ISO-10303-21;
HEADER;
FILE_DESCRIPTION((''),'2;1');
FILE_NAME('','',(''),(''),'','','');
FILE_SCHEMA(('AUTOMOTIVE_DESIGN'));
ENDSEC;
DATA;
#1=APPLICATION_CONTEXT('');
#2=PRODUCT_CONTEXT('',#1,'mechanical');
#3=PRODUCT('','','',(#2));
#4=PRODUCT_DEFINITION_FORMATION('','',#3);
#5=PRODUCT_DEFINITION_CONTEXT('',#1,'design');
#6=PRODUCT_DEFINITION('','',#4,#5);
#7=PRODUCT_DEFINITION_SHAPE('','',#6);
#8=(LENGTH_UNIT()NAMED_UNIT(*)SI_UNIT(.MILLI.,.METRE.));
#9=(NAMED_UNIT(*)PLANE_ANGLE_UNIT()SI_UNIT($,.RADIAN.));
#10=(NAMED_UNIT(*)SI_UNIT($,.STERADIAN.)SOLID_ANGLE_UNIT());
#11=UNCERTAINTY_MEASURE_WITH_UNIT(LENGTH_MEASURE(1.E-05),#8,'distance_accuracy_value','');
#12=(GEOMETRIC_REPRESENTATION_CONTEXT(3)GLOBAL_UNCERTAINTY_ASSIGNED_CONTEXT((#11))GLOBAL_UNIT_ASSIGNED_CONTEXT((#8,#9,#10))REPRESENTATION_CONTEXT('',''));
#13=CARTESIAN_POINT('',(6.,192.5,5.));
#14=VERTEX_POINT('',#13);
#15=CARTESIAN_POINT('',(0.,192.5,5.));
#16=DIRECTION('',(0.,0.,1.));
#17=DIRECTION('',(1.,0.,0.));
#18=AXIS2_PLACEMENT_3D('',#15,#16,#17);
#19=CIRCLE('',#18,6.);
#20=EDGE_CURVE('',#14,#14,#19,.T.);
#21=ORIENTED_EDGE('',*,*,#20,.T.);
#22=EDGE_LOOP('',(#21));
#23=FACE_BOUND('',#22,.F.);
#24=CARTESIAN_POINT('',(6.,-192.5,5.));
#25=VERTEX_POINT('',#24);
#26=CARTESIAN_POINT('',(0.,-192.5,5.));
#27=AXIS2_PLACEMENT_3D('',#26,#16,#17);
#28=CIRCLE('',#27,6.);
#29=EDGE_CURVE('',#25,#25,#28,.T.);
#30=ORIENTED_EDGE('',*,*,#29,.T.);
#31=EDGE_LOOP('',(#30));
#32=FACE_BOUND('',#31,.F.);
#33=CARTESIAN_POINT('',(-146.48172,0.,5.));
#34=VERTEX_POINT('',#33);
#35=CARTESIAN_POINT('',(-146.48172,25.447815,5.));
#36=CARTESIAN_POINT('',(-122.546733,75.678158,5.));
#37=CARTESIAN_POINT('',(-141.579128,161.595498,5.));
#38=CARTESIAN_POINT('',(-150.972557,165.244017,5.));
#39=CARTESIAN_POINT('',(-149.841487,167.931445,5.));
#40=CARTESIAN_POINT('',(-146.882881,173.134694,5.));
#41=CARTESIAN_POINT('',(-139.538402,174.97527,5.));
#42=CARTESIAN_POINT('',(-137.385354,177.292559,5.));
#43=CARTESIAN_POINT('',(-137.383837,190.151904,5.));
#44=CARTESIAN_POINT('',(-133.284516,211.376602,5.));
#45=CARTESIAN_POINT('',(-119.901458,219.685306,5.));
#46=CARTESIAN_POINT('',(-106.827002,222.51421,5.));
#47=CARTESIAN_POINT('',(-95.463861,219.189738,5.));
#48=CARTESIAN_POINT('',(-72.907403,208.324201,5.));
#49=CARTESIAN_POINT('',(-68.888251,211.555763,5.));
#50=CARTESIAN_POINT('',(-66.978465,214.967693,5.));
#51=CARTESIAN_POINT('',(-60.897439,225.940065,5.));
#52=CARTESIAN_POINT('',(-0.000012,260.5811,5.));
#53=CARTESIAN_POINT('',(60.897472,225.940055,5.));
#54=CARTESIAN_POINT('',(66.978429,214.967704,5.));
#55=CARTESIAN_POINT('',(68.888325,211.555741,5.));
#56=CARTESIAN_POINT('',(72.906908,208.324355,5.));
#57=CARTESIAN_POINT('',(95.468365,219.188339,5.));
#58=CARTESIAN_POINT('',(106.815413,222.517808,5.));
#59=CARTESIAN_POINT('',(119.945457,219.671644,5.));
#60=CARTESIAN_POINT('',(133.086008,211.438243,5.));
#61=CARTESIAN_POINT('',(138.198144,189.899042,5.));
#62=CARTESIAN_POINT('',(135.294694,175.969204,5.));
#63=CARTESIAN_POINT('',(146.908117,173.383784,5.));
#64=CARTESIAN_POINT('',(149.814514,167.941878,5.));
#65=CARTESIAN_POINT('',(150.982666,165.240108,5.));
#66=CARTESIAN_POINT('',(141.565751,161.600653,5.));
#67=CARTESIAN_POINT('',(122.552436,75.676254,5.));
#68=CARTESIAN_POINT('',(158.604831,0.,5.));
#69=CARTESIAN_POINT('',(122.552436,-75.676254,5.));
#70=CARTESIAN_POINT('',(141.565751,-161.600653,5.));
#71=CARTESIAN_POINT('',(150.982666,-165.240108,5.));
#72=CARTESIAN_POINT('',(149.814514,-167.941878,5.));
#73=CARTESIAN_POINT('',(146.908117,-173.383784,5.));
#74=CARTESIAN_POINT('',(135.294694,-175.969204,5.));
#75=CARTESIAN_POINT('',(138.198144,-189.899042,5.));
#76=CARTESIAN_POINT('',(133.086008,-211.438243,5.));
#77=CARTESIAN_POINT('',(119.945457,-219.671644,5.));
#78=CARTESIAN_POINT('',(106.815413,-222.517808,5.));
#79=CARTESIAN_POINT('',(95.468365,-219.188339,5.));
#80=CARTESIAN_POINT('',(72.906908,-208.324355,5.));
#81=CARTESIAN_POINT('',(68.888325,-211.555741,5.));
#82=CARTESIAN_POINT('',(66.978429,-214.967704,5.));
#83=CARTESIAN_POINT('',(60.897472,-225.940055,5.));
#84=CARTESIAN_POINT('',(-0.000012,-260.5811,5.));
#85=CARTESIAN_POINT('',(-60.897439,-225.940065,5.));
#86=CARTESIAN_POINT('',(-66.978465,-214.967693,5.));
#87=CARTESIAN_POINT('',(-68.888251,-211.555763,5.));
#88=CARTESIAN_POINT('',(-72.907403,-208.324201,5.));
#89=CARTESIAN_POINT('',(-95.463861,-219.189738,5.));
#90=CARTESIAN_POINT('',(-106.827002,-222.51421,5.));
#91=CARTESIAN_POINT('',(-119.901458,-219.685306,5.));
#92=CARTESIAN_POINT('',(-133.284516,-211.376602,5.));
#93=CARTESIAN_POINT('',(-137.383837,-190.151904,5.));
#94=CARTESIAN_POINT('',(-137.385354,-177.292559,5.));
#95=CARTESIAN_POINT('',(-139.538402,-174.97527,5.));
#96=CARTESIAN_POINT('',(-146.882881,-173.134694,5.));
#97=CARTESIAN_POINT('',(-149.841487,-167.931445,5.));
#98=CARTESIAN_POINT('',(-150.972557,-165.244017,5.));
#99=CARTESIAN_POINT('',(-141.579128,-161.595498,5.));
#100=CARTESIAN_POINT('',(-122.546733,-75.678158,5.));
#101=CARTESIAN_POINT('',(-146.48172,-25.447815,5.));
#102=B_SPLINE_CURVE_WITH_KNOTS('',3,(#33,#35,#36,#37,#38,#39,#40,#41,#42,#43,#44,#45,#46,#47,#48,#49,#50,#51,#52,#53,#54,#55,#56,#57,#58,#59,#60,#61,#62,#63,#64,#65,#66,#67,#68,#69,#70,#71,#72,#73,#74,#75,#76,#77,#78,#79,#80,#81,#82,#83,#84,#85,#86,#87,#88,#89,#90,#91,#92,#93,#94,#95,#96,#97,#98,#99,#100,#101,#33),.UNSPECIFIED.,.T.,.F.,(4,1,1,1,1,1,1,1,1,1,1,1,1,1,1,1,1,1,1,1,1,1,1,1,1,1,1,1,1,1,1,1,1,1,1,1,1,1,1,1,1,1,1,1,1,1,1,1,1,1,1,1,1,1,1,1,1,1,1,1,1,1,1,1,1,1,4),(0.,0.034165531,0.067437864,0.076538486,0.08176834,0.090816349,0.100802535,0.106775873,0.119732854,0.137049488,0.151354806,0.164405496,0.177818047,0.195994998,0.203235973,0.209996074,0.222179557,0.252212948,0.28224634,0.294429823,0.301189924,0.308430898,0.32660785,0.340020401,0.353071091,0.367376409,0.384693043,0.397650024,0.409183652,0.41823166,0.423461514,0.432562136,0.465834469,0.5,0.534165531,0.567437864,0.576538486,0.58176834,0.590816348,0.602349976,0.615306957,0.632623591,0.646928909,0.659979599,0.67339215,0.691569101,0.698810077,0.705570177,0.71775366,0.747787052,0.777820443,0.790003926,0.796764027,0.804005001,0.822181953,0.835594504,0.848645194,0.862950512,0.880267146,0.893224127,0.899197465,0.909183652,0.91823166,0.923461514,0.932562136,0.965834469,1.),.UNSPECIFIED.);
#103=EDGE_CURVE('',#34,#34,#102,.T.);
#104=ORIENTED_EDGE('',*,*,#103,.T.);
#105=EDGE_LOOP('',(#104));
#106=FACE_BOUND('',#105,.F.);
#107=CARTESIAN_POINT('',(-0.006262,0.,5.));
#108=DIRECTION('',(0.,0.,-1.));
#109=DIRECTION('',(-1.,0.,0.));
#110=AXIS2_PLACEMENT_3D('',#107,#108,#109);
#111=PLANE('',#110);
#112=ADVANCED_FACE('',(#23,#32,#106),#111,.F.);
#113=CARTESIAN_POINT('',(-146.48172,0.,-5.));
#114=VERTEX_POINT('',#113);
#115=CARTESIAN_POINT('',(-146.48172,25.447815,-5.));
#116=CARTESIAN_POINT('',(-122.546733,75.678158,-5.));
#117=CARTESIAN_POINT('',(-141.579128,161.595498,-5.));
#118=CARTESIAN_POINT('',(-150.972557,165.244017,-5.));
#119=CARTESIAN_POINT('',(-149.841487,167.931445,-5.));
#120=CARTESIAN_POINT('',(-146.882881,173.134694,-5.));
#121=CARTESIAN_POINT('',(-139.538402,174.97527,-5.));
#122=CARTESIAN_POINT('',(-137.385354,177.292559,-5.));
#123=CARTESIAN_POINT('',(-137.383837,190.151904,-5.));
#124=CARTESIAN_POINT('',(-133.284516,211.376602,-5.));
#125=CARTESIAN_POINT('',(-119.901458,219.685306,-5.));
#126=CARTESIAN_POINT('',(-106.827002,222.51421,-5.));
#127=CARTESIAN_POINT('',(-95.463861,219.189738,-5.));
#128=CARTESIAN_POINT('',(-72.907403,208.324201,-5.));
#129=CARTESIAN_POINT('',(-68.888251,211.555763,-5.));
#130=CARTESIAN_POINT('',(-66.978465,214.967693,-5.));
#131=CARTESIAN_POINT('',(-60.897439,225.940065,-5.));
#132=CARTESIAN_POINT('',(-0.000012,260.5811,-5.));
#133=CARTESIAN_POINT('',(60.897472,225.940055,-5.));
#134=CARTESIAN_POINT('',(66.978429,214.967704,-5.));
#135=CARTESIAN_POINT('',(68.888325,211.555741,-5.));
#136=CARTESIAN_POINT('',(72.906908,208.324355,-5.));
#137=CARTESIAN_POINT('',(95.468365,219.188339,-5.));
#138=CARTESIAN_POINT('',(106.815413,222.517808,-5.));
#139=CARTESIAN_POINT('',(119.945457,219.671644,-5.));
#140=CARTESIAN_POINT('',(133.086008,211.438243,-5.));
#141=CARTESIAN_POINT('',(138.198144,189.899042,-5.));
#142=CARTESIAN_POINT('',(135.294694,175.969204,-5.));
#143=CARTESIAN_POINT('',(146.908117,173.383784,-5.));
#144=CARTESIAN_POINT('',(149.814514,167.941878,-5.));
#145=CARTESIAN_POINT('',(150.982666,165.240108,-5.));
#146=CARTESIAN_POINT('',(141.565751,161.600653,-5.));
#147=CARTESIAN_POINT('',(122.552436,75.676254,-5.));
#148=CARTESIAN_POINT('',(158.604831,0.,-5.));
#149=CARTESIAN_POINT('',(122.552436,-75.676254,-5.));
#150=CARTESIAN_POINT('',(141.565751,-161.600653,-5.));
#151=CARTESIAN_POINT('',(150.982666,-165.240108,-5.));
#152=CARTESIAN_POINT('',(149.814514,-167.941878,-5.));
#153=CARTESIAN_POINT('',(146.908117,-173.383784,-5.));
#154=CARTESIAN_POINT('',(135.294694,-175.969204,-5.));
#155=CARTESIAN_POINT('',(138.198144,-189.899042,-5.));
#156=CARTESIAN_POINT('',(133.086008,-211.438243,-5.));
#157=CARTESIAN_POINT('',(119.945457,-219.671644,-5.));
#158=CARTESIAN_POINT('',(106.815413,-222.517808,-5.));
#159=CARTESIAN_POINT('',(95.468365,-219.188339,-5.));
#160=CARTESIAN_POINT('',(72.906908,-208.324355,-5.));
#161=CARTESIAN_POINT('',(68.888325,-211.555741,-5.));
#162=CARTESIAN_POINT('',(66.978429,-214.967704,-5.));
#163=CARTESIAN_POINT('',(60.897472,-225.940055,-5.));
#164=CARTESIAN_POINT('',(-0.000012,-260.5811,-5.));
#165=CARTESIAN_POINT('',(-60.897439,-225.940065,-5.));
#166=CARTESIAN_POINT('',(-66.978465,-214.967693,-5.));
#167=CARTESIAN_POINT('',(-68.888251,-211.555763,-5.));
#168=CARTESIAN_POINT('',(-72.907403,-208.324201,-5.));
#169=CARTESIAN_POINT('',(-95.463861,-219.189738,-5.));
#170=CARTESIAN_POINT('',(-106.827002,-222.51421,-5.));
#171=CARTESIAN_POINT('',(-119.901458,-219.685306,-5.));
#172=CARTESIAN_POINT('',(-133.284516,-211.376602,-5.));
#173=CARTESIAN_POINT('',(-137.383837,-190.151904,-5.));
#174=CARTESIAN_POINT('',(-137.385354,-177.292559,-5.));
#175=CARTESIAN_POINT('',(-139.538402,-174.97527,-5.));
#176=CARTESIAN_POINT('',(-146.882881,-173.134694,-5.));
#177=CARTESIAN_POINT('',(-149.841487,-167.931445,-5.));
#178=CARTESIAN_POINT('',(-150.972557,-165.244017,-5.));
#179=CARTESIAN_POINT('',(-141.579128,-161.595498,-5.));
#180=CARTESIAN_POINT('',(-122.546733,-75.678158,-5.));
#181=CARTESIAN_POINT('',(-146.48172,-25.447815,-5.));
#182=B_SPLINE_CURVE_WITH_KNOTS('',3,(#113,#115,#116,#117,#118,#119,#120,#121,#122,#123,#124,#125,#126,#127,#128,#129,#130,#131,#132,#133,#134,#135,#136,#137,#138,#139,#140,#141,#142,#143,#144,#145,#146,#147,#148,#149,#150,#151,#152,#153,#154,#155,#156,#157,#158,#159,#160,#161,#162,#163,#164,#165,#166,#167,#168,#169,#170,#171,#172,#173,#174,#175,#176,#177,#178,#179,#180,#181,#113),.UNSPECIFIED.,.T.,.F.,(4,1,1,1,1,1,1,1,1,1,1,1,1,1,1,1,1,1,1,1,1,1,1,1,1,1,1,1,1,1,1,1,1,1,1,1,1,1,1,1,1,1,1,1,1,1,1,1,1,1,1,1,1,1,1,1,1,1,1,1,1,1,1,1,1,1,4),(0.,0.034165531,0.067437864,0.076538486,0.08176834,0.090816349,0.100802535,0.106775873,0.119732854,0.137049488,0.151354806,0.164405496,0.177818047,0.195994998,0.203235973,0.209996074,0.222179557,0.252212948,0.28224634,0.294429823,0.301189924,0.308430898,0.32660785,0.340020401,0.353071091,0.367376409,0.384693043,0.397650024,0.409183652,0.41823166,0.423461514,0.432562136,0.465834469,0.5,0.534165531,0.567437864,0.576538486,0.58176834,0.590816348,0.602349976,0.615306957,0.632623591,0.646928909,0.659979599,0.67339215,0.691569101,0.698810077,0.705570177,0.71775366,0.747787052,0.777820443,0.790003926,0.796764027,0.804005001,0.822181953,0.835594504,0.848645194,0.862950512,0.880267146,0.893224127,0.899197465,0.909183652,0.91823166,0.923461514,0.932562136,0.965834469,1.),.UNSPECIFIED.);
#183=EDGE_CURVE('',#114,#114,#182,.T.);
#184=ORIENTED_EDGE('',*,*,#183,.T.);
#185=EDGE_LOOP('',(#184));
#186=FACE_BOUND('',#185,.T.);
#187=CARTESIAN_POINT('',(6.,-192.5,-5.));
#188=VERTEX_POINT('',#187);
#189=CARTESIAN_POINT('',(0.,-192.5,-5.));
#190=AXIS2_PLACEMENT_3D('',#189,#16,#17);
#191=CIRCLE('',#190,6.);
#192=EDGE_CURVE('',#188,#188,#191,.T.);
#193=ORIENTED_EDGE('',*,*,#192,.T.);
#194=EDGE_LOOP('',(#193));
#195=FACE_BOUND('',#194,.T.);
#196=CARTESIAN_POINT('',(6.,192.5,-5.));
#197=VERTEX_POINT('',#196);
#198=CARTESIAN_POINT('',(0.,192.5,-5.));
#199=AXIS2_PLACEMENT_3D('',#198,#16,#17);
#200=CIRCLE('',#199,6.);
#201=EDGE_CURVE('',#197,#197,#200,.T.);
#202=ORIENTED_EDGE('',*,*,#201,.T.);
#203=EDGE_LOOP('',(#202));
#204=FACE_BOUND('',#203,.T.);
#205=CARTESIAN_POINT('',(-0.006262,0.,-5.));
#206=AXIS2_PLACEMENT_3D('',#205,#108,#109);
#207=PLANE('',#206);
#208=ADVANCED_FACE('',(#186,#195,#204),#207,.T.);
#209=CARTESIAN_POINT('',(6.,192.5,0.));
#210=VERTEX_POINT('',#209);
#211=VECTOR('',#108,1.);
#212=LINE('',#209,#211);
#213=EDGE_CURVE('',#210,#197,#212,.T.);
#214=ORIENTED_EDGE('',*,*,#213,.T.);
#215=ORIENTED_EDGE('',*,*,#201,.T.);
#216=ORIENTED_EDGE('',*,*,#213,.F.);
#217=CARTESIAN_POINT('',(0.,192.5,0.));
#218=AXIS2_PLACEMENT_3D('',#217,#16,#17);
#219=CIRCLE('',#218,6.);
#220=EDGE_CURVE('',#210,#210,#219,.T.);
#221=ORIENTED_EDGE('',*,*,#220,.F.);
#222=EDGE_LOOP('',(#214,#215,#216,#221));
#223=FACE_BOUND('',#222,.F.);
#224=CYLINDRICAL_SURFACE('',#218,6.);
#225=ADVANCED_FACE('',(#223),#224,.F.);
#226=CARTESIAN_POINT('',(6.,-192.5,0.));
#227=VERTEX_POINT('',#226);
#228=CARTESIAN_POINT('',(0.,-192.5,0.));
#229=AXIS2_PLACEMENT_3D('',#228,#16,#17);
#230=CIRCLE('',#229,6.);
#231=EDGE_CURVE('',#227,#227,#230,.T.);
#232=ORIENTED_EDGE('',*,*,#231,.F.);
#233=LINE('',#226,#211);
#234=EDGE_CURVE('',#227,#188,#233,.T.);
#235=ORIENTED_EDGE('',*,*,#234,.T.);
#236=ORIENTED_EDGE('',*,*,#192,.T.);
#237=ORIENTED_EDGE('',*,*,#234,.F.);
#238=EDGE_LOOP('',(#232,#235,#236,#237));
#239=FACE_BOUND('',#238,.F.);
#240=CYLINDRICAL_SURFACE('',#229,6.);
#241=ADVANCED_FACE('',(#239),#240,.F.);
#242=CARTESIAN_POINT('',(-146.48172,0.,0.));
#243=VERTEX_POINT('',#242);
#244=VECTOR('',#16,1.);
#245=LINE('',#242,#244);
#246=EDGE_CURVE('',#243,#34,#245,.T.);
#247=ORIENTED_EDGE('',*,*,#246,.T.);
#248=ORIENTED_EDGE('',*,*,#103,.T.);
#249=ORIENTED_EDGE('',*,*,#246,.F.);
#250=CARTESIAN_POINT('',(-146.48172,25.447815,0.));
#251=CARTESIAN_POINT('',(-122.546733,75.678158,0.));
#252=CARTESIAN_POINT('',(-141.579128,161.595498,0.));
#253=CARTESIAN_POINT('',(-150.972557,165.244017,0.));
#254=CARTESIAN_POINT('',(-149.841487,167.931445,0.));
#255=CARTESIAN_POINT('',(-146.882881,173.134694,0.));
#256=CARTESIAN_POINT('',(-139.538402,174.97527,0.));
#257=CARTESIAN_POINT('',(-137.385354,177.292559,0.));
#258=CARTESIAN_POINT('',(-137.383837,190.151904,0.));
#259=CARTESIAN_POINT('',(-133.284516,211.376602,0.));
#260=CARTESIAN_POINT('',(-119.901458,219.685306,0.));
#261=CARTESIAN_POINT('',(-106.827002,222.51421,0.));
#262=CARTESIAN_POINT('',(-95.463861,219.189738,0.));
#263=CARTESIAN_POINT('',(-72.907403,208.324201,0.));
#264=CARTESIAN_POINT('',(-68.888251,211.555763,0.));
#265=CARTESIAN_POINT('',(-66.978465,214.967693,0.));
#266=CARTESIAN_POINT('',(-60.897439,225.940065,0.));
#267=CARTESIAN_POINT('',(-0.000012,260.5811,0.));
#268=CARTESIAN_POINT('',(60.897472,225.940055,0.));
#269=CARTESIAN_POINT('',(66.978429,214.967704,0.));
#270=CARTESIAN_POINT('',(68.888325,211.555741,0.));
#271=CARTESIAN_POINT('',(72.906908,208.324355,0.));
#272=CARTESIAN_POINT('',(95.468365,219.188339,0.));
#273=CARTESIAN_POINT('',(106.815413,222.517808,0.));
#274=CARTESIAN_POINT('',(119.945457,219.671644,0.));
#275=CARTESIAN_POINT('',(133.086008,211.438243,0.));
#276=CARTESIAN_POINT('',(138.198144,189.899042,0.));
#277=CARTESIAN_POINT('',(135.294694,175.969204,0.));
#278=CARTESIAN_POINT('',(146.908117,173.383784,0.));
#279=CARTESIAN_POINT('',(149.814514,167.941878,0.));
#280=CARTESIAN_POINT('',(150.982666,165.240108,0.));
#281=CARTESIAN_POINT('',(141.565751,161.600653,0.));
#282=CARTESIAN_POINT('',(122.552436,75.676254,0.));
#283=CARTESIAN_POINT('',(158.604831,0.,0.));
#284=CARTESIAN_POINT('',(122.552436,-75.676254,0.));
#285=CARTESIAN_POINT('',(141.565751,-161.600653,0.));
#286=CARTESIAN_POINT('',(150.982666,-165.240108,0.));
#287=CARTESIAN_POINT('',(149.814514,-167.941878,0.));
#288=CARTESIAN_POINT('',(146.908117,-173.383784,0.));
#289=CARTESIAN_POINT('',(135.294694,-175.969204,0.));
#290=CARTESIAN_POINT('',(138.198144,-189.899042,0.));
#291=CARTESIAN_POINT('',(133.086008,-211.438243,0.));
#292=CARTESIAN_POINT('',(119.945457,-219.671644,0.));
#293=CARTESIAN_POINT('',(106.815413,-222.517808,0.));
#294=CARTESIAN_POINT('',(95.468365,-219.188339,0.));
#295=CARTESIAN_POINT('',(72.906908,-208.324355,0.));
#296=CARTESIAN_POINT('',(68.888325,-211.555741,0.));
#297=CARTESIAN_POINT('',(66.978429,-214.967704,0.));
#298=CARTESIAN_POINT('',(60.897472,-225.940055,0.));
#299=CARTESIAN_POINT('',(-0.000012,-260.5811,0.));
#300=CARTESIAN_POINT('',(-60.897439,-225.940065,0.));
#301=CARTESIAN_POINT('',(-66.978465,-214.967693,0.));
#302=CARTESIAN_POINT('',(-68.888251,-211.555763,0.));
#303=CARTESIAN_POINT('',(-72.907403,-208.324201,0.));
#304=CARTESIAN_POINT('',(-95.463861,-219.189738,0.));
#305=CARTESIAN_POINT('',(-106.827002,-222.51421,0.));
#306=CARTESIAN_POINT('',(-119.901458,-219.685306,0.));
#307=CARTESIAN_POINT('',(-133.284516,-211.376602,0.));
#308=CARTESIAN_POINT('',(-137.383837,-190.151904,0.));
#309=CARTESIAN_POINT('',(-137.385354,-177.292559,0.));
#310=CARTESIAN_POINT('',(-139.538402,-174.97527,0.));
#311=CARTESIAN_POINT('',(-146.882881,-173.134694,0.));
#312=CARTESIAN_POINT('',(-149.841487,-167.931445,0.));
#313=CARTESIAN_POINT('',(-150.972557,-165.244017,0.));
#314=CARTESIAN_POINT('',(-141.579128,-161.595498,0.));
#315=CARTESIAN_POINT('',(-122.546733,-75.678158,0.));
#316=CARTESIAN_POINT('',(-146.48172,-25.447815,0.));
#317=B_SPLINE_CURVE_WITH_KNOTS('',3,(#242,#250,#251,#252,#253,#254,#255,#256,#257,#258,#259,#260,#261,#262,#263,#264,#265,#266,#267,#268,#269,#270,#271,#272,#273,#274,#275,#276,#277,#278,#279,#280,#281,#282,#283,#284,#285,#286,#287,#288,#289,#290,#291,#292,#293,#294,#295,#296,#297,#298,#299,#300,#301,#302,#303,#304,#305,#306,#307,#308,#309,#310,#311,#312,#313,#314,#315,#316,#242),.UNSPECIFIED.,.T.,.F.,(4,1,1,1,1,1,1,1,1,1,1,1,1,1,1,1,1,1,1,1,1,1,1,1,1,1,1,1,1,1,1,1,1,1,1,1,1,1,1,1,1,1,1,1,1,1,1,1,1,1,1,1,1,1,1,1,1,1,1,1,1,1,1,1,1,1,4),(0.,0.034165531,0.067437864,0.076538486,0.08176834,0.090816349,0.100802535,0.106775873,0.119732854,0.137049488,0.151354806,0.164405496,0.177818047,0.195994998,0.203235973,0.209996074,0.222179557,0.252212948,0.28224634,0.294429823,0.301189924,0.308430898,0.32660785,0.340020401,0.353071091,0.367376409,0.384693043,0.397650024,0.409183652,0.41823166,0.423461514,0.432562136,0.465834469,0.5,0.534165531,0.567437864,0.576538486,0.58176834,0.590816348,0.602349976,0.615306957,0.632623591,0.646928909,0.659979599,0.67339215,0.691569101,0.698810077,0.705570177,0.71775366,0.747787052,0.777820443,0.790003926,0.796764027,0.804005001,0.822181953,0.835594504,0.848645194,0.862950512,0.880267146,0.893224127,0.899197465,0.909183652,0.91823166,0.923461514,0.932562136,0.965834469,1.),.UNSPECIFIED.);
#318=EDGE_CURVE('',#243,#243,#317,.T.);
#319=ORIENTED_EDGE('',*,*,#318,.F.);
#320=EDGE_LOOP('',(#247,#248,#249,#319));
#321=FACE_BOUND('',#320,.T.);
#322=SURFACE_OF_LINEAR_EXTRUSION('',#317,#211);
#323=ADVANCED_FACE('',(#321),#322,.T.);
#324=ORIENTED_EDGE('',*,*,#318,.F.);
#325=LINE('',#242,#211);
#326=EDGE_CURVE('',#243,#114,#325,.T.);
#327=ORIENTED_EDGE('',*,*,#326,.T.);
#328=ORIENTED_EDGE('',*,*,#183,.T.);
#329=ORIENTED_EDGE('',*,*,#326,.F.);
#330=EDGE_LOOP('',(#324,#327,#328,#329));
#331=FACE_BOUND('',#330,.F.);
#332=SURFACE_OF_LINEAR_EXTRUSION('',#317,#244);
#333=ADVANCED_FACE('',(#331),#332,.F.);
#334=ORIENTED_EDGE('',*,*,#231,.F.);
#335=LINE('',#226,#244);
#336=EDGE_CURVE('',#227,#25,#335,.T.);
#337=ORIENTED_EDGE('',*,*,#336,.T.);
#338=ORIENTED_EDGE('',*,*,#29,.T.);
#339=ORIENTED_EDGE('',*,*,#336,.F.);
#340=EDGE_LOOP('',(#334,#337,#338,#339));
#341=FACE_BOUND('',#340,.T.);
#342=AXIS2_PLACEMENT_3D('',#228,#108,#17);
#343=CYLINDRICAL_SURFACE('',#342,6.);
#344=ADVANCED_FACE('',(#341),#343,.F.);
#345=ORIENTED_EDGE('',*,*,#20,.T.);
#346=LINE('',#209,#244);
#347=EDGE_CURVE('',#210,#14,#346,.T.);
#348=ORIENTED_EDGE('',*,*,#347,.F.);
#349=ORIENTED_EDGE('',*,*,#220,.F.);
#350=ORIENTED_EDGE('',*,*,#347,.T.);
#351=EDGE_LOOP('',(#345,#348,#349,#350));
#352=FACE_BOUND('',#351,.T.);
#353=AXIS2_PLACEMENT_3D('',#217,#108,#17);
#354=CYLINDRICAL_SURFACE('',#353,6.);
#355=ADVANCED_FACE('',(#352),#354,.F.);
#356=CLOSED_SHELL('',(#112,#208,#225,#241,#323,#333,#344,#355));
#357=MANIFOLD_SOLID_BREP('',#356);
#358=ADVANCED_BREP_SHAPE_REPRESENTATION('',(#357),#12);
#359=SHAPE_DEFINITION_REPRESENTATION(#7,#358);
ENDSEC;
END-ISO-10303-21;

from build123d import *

# Parameters (mm, degrees)
F0_R     = 6
F1_DEPTH = 5


with BuildPart() as f1:
    # F0 (on Top) → F1 (new body, symmetric)
    with BuildSketch(Plane.XY):
        with BuildLine():
            add(Edge.make_bspline(
                [(-146.48172, 0), (-146.48172, 25.4478153819), (-122.5467325745, 75.678158022), (-141.5791277863, 161.5954978407), (-150.9725570258, 165.244016864), (-149.8414871478, 167.931445087), (-146.8828805914, 173.134693532), (-139.5384022991, 174.9752703775), (-137.3853538588, 177.2925586054), (-137.3838373596, 190.1519040409), (-133.2845158848, 211.3766015223), (-119.9014584444, 219.6853062402), (-106.8270023644, 222.5142095845), (-95.4638608233, 219.1897380057), (-72.9074034574, 208.324201111), (-68.88825128, 211.5557632932), (-66.978464727, 214.9676927601), (-60.8974388018, 225.9400648682), (-1.16807e-05, 260.581099675), (60.89747164, 225.9400554088), (66.9784285598, 214.9677039291), (68.8883246138, 211.5557405344), (72.9069082139, 208.324354886), (95.4683645376, 219.1883394976), (106.8154131797, 222.5178083021), (119.9454566233, 219.6716437565), (133.0860078368, 211.438243005), (138.1981443915, 189.8990422884), (135.2946940658, 175.9692044489), (146.9081170888, 173.3837837124), (149.8145140132, 167.9418781187), (150.9826656424, 165.240108017), (141.5657505805, 161.6006525105), (122.5524359182, 75.6762541385), (158.6048306843, 0), (122.5524359182, -75.6762541385), (141.5657505805, -161.6006525105), (150.9826656424, -165.240108017), (149.8145140132, -167.9418781187), (146.9081170888, -173.3837837124), (135.2946940658, -175.9692044489), (138.1981443915, -189.8990422884), (133.0860078368, -211.438243005), (119.9454566233, -219.6716437565), (106.8154131797, -222.5178083021), (95.4683645376, -219.1883394976), (72.9069082139, -208.324354886), (68.8883246138, -211.5557405344), (66.9784285598, -214.9677039291), (60.89747164, -225.9400554088), (-1.16807e-05, -260.581099675), (-60.8974388018, -225.9400648682), (-66.978464727, -214.9676927601), (-68.88825128, -211.5557632932), (-72.9074034574, -208.324201111), (-95.4638608233, -219.1897380057), (-106.8270023644, -222.5142095845), (-119.9014584444, -219.6853062402), (-133.2845158848, -211.3766015223), (-137.3838373596, -190.1519040409), (-137.3853538588, -177.2925586054), (-139.5384022991, -174.9752703775), (-146.8828805914, -173.134693532), (-149.8414871478, -167.931445087), (-150.9725570258, -165.244016864), (-141.5791277863, -161.5954978407), (-122.5467325745, -75.678158022), (-146.48172, -25.4478153819), (-146.48172, 0)],
                knots=[0, 0, 0, 0, 0.0341655307, 0.0674378641, 0.0765384861, 0.0817683397, 0.0908163485, 0.1008025352, 0.1067758727, 0.1197328544, 0.1370494884, 0.1513548064, 0.1644054957, 0.1778180472, 0.1959949985, 0.2032359734, 0.2099960741, 0.2221795566, 0.2522129485, 0.2822463404, 0.2944298229, 0.3011899235, 0.3084308985, 0.3266078498, 0.3400204013, 0.3530710906, 0.3673764086, 0.3846930426, 0.3976500243, 0.4091836515, 0.4182316603, 0.4234615139, 0.4325621359, 0.4658344693, 0.5, 0.5341655307, 0.5674378641, 0.5765384861, 0.5817683397, 0.5908163485, 0.6023499757, 0.6153069574, 0.6326235914, 0.6469289094, 0.6599795987, 0.6733921502, 0.6915691015, 0.6988100765, 0.7055701771, 0.7177536596, 0.7477870515, 0.7778204434, 0.7900039259, 0.7967640266, 0.8040050015, 0.8221819528, 0.8355945043, 0.8486451936, 0.8629505116, 0.8802671456, 0.8932241273, 0.8991974648, 0.9091836515, 0.9182316603, 0.9234615139, 0.9325621359, 0.9658344693, 1, 1, 1, 1], degree=3))
        make_face()
        with Locations((0, -192.5)):
            Circle(F0_R, mode=Mode.SUBTRACT)
        with Locations((0, 192.5)):
            Circle(F0_R, mode=Mode.SUBTRACT)
    extrude(amount=F1_DEPTH, both=True)


solid = f1.part
